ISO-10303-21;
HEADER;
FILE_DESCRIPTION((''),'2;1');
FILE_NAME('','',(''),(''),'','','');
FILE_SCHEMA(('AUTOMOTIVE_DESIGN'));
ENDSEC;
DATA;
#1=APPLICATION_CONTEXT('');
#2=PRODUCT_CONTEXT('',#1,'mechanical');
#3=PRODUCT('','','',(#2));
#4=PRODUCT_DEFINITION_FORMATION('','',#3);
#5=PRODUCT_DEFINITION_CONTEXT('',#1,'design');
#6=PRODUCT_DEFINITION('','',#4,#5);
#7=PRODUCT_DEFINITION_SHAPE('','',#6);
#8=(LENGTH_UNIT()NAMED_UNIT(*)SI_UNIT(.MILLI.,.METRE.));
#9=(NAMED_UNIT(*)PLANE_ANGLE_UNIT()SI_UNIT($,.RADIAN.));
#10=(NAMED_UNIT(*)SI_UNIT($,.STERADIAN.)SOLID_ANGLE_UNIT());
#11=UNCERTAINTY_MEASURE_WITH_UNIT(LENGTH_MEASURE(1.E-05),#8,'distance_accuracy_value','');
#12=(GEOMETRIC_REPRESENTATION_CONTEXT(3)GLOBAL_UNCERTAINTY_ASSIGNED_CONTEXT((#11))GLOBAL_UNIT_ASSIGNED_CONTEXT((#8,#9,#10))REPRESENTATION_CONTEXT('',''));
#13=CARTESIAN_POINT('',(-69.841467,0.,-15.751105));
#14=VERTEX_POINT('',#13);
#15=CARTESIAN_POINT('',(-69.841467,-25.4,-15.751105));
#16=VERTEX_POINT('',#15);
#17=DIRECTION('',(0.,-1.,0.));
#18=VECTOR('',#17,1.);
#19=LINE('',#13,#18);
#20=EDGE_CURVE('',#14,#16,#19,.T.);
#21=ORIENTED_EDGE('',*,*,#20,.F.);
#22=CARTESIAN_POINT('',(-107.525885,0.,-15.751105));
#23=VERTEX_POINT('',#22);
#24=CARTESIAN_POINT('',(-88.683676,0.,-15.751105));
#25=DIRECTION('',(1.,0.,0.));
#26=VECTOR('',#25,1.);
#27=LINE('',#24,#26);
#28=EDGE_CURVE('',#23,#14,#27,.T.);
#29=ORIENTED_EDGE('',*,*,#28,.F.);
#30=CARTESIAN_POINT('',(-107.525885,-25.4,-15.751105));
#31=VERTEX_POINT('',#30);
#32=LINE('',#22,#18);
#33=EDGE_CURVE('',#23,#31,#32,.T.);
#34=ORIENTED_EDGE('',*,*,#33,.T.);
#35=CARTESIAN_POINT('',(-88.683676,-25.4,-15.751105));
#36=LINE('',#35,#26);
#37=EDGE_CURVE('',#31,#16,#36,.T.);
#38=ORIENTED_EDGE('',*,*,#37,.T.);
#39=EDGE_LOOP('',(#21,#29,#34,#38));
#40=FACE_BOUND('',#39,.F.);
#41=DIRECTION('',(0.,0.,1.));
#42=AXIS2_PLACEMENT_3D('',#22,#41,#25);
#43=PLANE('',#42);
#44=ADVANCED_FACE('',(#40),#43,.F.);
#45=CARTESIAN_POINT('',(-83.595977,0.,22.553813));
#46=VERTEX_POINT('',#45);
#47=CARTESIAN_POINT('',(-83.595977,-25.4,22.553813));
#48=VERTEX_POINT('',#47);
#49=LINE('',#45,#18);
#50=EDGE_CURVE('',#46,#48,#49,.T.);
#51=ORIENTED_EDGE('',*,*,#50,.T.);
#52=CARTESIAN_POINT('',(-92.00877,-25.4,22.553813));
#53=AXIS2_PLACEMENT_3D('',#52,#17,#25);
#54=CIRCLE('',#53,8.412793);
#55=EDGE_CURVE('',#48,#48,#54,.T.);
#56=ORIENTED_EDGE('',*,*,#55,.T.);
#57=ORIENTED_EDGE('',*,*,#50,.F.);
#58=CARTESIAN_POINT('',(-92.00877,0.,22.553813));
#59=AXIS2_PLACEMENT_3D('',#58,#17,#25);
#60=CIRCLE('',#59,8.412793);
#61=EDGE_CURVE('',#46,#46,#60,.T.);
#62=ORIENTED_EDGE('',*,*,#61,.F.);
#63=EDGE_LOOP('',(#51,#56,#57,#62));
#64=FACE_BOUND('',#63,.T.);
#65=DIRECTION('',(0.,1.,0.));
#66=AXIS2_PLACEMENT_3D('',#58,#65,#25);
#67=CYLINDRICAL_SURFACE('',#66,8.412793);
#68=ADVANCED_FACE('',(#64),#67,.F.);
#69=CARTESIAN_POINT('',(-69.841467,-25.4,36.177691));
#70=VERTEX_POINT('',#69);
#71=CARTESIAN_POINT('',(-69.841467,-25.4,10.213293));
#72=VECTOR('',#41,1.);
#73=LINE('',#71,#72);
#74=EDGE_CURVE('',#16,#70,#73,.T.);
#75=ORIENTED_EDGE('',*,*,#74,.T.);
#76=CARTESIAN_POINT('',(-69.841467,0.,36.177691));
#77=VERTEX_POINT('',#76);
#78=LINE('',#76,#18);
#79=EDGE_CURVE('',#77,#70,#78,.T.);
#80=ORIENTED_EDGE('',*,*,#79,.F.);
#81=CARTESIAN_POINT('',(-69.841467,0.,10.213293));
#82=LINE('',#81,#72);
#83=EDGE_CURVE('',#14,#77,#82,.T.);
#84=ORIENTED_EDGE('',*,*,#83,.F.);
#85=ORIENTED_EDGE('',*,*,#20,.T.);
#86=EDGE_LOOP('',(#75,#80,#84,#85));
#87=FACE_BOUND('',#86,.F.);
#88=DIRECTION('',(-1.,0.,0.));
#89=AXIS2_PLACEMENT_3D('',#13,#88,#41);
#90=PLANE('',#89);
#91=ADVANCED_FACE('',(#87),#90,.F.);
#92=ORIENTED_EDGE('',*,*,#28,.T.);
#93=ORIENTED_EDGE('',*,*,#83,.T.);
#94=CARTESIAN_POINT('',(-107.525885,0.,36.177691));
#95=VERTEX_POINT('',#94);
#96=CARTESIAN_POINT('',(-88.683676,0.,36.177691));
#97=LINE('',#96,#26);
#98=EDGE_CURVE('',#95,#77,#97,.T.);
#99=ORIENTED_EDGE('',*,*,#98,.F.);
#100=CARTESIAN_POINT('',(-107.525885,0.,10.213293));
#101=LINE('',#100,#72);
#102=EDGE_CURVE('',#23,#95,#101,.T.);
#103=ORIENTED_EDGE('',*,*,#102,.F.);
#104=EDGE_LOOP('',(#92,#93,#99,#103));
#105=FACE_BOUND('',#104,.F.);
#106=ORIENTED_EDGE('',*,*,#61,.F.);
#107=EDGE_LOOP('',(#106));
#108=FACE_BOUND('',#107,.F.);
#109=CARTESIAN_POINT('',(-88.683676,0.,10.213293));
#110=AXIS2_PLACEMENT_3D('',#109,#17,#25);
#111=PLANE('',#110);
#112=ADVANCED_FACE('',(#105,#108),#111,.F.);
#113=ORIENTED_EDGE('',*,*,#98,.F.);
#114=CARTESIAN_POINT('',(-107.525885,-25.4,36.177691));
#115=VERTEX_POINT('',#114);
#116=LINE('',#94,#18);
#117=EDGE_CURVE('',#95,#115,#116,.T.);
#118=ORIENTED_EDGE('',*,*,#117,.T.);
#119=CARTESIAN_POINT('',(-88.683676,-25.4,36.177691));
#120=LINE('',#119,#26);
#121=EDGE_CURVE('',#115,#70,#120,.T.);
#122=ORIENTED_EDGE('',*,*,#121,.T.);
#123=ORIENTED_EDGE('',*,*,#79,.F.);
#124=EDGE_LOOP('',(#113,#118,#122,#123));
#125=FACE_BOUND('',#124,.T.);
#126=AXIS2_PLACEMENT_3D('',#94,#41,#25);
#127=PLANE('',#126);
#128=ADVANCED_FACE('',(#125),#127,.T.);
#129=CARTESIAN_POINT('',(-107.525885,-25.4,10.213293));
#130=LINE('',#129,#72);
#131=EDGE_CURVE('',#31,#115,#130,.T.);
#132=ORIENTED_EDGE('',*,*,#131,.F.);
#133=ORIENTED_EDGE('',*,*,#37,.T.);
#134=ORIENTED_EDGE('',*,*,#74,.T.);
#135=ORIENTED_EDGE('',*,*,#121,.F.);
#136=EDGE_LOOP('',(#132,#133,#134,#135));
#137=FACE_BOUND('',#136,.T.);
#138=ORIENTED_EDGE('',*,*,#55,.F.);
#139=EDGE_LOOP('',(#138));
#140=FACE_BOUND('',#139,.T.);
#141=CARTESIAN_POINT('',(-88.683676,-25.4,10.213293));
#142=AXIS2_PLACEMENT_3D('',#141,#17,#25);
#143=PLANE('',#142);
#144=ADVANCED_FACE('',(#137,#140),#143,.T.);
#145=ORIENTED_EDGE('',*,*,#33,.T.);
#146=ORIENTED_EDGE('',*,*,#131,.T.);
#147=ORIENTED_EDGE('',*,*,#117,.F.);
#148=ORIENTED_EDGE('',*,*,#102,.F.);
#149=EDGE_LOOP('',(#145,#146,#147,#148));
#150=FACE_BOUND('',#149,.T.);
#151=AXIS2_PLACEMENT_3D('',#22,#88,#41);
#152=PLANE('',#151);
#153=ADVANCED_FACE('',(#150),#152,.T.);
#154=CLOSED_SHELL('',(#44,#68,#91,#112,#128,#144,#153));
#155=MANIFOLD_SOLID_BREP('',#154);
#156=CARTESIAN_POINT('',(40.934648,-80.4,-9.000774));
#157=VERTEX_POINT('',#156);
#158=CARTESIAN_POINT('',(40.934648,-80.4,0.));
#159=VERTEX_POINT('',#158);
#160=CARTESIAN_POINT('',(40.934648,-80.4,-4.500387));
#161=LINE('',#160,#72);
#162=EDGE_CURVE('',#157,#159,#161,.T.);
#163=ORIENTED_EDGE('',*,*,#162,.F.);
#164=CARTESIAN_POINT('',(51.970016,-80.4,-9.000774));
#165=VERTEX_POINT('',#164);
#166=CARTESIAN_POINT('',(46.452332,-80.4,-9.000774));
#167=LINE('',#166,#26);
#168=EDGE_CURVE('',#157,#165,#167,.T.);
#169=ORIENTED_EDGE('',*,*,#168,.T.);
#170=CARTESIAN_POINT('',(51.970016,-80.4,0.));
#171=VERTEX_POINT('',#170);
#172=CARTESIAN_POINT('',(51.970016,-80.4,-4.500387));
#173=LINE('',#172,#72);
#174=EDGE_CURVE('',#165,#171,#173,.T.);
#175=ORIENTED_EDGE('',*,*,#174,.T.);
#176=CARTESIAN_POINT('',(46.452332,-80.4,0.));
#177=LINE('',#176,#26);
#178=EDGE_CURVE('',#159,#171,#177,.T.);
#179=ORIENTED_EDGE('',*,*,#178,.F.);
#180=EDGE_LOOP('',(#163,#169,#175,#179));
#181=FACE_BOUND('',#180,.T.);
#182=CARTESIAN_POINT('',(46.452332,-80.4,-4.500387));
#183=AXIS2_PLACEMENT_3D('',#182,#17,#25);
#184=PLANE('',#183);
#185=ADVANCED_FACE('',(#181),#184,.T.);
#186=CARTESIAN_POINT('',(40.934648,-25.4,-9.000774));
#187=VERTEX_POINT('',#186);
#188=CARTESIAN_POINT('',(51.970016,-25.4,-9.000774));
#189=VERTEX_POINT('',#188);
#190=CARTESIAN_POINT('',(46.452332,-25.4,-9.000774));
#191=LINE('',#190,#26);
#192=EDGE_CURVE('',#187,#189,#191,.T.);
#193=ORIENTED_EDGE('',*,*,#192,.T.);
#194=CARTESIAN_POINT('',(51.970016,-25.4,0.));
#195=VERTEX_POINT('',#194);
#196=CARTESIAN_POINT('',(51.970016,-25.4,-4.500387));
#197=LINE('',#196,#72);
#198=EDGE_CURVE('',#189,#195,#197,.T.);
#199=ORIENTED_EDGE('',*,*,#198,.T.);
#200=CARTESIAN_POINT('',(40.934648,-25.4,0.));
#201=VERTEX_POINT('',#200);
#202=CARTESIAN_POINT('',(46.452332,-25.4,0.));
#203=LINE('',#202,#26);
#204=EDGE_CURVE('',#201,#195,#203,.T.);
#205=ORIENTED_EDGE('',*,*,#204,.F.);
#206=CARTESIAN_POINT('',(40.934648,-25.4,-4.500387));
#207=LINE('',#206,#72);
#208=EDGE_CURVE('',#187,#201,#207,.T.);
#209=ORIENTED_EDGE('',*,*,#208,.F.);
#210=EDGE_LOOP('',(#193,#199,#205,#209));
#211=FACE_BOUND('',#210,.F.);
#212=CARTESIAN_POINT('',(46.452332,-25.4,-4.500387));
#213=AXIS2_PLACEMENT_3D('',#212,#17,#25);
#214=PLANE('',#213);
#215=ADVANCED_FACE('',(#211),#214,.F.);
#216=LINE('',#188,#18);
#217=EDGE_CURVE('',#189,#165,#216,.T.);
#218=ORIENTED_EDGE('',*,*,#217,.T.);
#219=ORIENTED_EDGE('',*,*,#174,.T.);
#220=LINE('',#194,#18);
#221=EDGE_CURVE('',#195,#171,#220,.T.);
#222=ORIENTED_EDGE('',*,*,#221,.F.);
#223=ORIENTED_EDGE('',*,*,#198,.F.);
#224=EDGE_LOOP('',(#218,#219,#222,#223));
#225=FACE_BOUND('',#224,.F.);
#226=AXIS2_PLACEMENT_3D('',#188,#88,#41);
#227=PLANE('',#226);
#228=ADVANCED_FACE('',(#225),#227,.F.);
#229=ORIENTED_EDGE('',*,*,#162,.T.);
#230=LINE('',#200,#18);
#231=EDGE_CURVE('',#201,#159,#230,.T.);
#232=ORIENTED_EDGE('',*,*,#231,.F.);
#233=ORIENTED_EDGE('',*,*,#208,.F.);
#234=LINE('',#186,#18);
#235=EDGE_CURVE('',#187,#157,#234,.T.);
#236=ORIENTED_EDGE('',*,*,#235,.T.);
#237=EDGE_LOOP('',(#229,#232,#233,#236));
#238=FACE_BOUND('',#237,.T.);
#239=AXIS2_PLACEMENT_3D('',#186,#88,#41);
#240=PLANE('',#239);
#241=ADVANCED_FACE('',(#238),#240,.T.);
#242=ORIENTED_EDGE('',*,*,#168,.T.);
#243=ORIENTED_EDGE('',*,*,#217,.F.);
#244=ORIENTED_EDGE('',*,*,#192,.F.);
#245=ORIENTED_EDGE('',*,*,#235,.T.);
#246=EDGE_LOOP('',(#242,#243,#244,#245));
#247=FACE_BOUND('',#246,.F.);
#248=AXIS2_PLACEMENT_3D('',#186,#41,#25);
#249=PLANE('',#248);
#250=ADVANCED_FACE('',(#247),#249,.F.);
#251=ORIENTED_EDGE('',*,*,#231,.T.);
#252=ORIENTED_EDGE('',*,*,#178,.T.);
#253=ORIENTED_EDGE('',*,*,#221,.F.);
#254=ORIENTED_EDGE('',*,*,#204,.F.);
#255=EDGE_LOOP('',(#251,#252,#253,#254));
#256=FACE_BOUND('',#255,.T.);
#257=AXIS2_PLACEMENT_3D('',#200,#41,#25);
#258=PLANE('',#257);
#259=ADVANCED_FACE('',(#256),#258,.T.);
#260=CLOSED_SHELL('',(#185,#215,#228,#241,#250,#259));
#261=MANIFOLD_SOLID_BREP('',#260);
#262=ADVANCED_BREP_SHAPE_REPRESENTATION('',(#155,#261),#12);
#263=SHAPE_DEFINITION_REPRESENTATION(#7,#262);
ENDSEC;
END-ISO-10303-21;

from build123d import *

# Parameters (mm, degrees)
F0_W     = 37.684418
F0_H     = 51.928796
F0_R     = 8.412793
F1_DEPTH = 25.4
F4_W     = 11.035368
F4_H     = 9.000774
F2_DEPTH = 55


with BuildPart() as f1:
    # F0 (on Front) → F1 (new body)
    with BuildSketch(Plane.XZ):
        with Locations((-88.683676, 10.213293)):
            Rectangle(F0_W, F0_H)
        with Locations((-92.00877, 22.553813)):
            Circle(F0_R, mode=Mode.SUBTRACT)
    extrude(amount=F1_DEPTH)


with BuildPart() as f2:
    # F4 (on face) → F2 (new body)
    with BuildSketch(Plane.XZ.offset(25.4)):
        with Locations((46.452332, -4.500387)):
            Rectangle(F4_W, F4_H)
    extrude(amount=F2_DEPTH)


solid = Compound([f1.part, f2.part])
